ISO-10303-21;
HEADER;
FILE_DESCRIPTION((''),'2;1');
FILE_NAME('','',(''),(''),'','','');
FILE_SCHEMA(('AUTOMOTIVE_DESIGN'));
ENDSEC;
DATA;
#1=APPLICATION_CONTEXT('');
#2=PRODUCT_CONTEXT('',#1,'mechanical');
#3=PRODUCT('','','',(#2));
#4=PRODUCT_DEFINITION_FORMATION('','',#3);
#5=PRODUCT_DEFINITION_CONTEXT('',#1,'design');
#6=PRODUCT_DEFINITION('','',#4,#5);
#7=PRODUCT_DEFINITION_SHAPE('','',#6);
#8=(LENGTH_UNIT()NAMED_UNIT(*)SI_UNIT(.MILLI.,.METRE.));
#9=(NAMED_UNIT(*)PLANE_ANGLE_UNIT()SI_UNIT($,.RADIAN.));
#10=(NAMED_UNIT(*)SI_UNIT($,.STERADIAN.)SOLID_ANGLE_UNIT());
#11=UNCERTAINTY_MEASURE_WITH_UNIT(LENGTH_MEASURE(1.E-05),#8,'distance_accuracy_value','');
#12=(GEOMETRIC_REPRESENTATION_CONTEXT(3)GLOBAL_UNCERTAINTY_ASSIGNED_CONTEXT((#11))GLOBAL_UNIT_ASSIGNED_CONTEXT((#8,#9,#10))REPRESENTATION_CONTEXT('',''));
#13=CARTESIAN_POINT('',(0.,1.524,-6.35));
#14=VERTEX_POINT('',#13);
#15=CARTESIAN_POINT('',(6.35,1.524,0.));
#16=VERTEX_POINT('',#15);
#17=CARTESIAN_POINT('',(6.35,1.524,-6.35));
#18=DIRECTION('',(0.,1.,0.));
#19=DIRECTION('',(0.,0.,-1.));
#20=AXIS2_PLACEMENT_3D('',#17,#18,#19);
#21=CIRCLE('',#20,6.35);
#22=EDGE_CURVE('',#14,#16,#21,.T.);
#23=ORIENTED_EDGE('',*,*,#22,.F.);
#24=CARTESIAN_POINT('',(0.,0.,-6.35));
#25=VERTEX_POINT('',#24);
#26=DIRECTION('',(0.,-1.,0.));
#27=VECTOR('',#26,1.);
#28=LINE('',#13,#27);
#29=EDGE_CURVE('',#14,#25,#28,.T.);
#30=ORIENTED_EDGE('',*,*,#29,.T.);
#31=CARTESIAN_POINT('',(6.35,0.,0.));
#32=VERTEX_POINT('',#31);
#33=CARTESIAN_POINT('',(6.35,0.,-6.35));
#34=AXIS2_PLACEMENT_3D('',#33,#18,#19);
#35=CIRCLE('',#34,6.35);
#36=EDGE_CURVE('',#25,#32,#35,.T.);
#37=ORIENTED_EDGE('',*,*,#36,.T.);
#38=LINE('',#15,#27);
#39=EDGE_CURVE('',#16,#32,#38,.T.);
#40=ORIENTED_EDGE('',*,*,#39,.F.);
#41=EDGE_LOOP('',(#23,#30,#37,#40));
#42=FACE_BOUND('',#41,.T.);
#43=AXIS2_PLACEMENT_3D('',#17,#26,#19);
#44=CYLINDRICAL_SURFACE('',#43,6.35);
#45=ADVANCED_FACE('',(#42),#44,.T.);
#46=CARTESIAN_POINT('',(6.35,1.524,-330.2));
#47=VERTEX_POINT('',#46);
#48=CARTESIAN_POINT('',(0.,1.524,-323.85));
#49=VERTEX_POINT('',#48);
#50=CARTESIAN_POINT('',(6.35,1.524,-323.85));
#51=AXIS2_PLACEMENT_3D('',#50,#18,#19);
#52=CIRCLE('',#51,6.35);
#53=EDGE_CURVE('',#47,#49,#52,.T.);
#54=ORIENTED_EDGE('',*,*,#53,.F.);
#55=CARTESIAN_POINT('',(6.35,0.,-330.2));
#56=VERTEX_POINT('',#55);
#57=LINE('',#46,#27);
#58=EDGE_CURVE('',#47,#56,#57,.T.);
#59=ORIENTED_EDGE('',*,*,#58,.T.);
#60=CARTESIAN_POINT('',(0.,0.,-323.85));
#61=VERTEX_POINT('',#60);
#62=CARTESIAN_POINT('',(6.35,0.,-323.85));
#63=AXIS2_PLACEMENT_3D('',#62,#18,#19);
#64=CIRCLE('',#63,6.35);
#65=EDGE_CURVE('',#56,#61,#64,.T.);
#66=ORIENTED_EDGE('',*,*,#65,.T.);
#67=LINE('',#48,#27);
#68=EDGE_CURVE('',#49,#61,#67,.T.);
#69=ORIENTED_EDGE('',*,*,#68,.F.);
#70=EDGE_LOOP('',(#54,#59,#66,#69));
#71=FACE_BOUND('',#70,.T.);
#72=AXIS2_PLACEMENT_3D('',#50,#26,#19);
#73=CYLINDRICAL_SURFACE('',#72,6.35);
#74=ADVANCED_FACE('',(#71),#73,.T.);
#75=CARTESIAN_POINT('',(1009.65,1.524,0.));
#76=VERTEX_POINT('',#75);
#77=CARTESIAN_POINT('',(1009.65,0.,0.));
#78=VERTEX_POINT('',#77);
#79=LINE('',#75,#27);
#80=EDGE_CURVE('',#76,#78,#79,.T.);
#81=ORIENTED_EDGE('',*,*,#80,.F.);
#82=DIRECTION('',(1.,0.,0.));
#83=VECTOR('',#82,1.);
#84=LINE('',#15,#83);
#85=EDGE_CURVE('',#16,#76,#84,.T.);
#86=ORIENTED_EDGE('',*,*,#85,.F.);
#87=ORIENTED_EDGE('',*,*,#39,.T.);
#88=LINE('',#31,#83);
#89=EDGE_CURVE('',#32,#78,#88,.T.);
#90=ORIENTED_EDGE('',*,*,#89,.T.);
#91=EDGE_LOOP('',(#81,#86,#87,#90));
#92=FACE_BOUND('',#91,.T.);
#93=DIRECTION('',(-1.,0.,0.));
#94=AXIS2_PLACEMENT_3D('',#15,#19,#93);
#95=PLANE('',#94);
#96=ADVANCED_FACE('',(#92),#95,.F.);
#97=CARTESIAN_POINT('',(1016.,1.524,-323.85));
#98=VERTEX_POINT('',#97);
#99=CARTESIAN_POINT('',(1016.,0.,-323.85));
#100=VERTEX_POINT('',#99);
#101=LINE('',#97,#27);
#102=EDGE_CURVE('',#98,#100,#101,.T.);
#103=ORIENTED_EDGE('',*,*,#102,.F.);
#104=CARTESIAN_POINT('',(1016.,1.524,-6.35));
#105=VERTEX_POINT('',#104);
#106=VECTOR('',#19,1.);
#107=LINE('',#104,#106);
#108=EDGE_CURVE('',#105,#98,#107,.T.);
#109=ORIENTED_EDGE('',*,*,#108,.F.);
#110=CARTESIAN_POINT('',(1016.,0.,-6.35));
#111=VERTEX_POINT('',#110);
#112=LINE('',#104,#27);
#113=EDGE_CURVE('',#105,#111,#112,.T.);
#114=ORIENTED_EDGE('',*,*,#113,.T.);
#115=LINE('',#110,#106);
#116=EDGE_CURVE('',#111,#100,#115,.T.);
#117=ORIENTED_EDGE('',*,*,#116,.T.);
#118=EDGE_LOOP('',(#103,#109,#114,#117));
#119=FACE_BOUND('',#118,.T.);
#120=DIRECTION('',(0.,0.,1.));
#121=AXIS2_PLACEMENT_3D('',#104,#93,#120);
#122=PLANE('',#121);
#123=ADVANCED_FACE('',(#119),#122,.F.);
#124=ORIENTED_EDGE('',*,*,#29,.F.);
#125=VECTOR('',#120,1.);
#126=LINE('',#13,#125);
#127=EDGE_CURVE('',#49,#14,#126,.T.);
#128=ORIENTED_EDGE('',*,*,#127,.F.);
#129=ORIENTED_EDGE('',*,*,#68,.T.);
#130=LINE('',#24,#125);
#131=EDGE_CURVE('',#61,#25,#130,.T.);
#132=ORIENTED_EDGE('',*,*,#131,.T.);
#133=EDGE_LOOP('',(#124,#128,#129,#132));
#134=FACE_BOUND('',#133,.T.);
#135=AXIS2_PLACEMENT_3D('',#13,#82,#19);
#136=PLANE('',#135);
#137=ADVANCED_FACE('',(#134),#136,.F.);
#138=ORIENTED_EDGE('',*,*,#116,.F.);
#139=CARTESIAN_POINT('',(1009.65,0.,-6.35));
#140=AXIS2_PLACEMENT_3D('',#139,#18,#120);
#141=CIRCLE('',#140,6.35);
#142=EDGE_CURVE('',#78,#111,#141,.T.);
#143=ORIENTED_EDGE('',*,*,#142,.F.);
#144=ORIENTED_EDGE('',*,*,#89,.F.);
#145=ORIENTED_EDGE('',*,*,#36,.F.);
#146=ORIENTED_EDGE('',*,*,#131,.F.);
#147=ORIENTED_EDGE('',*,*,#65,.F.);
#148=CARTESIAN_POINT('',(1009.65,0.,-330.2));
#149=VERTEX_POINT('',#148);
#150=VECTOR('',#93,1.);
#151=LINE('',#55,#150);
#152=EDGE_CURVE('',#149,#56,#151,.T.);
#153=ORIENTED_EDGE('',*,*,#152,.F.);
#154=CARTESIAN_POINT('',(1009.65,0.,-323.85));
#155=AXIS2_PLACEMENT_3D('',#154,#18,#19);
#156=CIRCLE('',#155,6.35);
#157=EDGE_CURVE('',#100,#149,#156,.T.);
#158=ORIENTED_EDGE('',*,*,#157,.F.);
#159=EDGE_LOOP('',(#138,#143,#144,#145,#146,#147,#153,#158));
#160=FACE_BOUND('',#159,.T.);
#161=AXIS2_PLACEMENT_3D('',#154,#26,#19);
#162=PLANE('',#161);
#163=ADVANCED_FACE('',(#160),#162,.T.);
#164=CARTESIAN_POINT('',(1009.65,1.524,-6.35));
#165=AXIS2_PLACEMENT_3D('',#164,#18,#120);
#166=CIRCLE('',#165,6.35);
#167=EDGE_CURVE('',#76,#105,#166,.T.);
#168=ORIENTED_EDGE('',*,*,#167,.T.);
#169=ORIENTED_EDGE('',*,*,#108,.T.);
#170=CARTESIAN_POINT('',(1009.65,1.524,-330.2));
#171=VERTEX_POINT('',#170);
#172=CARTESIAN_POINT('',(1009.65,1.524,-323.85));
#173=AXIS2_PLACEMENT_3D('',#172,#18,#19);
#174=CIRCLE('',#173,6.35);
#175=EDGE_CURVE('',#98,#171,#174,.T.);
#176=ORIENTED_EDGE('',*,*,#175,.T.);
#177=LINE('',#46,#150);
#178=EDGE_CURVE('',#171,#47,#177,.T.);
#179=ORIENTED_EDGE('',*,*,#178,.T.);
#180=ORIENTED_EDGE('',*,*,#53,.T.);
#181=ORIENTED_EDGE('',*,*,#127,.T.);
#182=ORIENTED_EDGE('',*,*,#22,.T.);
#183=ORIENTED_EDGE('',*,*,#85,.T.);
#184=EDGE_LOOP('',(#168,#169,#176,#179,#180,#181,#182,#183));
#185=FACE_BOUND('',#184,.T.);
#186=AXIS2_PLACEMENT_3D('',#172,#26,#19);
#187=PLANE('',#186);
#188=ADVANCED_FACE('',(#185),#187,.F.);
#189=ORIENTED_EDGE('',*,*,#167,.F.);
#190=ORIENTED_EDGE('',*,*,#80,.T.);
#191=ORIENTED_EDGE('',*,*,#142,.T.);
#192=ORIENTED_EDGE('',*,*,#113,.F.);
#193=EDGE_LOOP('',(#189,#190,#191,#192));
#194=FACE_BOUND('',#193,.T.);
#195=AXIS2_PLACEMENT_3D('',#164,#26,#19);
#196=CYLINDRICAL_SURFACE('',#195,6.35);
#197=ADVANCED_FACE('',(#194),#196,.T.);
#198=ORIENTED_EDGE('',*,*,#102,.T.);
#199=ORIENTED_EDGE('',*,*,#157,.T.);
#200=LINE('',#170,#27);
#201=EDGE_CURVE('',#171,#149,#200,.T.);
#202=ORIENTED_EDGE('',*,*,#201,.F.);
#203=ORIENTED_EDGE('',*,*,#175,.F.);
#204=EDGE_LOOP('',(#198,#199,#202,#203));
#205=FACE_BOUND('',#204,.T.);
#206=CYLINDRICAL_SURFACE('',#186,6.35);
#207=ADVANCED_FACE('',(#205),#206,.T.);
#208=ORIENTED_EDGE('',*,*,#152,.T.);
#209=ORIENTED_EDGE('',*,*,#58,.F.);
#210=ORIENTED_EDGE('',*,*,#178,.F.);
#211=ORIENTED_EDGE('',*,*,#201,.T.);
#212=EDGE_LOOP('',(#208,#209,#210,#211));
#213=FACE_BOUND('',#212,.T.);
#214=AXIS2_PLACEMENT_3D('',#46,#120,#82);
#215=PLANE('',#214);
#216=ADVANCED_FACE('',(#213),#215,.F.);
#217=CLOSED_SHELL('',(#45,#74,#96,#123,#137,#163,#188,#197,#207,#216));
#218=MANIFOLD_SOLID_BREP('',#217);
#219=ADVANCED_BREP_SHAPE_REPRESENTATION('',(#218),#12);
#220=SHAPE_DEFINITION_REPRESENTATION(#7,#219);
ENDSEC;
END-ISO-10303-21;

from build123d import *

# Parameters (mm, degrees)
BOSS_EXTRUDE1_DEPTH = 1.524


with BuildPart() as part:
    # Sketch1 → Boss-Extrude1 (new body)
    with BuildSketch(Plane(origin=(0, 0, 0), x_dir=(1, 0, 0), z_dir=(0, 1, 0))):
        with BuildLine():
            Line((6.35, 0), (1009.65, 0))
            ThreePointArc((1009.65, 0), (1014.140128061, 1.859871939), (1016, 6.35))
            Line((1016, 6.35), (1016, 323.85))
            ThreePointArc((1016, 323.85), (1014.140128061, 328.340128061), (1009.65, 330.2))
            Line((1009.65, 330.2), (6.35, 330.2))
            ThreePointArc((6.35, 330.2), (1.859871939, 328.340128061), (0, 323.85))
            Line((0, 323.85), (0, 6.35))
            ThreePointArc((0, 6.35), (1.859871939, 1.859871939), (6.35, 0))
        make_face()
    extrude(amount=BOSS_EXTRUDE1_DEPTH)


solid = part.part
